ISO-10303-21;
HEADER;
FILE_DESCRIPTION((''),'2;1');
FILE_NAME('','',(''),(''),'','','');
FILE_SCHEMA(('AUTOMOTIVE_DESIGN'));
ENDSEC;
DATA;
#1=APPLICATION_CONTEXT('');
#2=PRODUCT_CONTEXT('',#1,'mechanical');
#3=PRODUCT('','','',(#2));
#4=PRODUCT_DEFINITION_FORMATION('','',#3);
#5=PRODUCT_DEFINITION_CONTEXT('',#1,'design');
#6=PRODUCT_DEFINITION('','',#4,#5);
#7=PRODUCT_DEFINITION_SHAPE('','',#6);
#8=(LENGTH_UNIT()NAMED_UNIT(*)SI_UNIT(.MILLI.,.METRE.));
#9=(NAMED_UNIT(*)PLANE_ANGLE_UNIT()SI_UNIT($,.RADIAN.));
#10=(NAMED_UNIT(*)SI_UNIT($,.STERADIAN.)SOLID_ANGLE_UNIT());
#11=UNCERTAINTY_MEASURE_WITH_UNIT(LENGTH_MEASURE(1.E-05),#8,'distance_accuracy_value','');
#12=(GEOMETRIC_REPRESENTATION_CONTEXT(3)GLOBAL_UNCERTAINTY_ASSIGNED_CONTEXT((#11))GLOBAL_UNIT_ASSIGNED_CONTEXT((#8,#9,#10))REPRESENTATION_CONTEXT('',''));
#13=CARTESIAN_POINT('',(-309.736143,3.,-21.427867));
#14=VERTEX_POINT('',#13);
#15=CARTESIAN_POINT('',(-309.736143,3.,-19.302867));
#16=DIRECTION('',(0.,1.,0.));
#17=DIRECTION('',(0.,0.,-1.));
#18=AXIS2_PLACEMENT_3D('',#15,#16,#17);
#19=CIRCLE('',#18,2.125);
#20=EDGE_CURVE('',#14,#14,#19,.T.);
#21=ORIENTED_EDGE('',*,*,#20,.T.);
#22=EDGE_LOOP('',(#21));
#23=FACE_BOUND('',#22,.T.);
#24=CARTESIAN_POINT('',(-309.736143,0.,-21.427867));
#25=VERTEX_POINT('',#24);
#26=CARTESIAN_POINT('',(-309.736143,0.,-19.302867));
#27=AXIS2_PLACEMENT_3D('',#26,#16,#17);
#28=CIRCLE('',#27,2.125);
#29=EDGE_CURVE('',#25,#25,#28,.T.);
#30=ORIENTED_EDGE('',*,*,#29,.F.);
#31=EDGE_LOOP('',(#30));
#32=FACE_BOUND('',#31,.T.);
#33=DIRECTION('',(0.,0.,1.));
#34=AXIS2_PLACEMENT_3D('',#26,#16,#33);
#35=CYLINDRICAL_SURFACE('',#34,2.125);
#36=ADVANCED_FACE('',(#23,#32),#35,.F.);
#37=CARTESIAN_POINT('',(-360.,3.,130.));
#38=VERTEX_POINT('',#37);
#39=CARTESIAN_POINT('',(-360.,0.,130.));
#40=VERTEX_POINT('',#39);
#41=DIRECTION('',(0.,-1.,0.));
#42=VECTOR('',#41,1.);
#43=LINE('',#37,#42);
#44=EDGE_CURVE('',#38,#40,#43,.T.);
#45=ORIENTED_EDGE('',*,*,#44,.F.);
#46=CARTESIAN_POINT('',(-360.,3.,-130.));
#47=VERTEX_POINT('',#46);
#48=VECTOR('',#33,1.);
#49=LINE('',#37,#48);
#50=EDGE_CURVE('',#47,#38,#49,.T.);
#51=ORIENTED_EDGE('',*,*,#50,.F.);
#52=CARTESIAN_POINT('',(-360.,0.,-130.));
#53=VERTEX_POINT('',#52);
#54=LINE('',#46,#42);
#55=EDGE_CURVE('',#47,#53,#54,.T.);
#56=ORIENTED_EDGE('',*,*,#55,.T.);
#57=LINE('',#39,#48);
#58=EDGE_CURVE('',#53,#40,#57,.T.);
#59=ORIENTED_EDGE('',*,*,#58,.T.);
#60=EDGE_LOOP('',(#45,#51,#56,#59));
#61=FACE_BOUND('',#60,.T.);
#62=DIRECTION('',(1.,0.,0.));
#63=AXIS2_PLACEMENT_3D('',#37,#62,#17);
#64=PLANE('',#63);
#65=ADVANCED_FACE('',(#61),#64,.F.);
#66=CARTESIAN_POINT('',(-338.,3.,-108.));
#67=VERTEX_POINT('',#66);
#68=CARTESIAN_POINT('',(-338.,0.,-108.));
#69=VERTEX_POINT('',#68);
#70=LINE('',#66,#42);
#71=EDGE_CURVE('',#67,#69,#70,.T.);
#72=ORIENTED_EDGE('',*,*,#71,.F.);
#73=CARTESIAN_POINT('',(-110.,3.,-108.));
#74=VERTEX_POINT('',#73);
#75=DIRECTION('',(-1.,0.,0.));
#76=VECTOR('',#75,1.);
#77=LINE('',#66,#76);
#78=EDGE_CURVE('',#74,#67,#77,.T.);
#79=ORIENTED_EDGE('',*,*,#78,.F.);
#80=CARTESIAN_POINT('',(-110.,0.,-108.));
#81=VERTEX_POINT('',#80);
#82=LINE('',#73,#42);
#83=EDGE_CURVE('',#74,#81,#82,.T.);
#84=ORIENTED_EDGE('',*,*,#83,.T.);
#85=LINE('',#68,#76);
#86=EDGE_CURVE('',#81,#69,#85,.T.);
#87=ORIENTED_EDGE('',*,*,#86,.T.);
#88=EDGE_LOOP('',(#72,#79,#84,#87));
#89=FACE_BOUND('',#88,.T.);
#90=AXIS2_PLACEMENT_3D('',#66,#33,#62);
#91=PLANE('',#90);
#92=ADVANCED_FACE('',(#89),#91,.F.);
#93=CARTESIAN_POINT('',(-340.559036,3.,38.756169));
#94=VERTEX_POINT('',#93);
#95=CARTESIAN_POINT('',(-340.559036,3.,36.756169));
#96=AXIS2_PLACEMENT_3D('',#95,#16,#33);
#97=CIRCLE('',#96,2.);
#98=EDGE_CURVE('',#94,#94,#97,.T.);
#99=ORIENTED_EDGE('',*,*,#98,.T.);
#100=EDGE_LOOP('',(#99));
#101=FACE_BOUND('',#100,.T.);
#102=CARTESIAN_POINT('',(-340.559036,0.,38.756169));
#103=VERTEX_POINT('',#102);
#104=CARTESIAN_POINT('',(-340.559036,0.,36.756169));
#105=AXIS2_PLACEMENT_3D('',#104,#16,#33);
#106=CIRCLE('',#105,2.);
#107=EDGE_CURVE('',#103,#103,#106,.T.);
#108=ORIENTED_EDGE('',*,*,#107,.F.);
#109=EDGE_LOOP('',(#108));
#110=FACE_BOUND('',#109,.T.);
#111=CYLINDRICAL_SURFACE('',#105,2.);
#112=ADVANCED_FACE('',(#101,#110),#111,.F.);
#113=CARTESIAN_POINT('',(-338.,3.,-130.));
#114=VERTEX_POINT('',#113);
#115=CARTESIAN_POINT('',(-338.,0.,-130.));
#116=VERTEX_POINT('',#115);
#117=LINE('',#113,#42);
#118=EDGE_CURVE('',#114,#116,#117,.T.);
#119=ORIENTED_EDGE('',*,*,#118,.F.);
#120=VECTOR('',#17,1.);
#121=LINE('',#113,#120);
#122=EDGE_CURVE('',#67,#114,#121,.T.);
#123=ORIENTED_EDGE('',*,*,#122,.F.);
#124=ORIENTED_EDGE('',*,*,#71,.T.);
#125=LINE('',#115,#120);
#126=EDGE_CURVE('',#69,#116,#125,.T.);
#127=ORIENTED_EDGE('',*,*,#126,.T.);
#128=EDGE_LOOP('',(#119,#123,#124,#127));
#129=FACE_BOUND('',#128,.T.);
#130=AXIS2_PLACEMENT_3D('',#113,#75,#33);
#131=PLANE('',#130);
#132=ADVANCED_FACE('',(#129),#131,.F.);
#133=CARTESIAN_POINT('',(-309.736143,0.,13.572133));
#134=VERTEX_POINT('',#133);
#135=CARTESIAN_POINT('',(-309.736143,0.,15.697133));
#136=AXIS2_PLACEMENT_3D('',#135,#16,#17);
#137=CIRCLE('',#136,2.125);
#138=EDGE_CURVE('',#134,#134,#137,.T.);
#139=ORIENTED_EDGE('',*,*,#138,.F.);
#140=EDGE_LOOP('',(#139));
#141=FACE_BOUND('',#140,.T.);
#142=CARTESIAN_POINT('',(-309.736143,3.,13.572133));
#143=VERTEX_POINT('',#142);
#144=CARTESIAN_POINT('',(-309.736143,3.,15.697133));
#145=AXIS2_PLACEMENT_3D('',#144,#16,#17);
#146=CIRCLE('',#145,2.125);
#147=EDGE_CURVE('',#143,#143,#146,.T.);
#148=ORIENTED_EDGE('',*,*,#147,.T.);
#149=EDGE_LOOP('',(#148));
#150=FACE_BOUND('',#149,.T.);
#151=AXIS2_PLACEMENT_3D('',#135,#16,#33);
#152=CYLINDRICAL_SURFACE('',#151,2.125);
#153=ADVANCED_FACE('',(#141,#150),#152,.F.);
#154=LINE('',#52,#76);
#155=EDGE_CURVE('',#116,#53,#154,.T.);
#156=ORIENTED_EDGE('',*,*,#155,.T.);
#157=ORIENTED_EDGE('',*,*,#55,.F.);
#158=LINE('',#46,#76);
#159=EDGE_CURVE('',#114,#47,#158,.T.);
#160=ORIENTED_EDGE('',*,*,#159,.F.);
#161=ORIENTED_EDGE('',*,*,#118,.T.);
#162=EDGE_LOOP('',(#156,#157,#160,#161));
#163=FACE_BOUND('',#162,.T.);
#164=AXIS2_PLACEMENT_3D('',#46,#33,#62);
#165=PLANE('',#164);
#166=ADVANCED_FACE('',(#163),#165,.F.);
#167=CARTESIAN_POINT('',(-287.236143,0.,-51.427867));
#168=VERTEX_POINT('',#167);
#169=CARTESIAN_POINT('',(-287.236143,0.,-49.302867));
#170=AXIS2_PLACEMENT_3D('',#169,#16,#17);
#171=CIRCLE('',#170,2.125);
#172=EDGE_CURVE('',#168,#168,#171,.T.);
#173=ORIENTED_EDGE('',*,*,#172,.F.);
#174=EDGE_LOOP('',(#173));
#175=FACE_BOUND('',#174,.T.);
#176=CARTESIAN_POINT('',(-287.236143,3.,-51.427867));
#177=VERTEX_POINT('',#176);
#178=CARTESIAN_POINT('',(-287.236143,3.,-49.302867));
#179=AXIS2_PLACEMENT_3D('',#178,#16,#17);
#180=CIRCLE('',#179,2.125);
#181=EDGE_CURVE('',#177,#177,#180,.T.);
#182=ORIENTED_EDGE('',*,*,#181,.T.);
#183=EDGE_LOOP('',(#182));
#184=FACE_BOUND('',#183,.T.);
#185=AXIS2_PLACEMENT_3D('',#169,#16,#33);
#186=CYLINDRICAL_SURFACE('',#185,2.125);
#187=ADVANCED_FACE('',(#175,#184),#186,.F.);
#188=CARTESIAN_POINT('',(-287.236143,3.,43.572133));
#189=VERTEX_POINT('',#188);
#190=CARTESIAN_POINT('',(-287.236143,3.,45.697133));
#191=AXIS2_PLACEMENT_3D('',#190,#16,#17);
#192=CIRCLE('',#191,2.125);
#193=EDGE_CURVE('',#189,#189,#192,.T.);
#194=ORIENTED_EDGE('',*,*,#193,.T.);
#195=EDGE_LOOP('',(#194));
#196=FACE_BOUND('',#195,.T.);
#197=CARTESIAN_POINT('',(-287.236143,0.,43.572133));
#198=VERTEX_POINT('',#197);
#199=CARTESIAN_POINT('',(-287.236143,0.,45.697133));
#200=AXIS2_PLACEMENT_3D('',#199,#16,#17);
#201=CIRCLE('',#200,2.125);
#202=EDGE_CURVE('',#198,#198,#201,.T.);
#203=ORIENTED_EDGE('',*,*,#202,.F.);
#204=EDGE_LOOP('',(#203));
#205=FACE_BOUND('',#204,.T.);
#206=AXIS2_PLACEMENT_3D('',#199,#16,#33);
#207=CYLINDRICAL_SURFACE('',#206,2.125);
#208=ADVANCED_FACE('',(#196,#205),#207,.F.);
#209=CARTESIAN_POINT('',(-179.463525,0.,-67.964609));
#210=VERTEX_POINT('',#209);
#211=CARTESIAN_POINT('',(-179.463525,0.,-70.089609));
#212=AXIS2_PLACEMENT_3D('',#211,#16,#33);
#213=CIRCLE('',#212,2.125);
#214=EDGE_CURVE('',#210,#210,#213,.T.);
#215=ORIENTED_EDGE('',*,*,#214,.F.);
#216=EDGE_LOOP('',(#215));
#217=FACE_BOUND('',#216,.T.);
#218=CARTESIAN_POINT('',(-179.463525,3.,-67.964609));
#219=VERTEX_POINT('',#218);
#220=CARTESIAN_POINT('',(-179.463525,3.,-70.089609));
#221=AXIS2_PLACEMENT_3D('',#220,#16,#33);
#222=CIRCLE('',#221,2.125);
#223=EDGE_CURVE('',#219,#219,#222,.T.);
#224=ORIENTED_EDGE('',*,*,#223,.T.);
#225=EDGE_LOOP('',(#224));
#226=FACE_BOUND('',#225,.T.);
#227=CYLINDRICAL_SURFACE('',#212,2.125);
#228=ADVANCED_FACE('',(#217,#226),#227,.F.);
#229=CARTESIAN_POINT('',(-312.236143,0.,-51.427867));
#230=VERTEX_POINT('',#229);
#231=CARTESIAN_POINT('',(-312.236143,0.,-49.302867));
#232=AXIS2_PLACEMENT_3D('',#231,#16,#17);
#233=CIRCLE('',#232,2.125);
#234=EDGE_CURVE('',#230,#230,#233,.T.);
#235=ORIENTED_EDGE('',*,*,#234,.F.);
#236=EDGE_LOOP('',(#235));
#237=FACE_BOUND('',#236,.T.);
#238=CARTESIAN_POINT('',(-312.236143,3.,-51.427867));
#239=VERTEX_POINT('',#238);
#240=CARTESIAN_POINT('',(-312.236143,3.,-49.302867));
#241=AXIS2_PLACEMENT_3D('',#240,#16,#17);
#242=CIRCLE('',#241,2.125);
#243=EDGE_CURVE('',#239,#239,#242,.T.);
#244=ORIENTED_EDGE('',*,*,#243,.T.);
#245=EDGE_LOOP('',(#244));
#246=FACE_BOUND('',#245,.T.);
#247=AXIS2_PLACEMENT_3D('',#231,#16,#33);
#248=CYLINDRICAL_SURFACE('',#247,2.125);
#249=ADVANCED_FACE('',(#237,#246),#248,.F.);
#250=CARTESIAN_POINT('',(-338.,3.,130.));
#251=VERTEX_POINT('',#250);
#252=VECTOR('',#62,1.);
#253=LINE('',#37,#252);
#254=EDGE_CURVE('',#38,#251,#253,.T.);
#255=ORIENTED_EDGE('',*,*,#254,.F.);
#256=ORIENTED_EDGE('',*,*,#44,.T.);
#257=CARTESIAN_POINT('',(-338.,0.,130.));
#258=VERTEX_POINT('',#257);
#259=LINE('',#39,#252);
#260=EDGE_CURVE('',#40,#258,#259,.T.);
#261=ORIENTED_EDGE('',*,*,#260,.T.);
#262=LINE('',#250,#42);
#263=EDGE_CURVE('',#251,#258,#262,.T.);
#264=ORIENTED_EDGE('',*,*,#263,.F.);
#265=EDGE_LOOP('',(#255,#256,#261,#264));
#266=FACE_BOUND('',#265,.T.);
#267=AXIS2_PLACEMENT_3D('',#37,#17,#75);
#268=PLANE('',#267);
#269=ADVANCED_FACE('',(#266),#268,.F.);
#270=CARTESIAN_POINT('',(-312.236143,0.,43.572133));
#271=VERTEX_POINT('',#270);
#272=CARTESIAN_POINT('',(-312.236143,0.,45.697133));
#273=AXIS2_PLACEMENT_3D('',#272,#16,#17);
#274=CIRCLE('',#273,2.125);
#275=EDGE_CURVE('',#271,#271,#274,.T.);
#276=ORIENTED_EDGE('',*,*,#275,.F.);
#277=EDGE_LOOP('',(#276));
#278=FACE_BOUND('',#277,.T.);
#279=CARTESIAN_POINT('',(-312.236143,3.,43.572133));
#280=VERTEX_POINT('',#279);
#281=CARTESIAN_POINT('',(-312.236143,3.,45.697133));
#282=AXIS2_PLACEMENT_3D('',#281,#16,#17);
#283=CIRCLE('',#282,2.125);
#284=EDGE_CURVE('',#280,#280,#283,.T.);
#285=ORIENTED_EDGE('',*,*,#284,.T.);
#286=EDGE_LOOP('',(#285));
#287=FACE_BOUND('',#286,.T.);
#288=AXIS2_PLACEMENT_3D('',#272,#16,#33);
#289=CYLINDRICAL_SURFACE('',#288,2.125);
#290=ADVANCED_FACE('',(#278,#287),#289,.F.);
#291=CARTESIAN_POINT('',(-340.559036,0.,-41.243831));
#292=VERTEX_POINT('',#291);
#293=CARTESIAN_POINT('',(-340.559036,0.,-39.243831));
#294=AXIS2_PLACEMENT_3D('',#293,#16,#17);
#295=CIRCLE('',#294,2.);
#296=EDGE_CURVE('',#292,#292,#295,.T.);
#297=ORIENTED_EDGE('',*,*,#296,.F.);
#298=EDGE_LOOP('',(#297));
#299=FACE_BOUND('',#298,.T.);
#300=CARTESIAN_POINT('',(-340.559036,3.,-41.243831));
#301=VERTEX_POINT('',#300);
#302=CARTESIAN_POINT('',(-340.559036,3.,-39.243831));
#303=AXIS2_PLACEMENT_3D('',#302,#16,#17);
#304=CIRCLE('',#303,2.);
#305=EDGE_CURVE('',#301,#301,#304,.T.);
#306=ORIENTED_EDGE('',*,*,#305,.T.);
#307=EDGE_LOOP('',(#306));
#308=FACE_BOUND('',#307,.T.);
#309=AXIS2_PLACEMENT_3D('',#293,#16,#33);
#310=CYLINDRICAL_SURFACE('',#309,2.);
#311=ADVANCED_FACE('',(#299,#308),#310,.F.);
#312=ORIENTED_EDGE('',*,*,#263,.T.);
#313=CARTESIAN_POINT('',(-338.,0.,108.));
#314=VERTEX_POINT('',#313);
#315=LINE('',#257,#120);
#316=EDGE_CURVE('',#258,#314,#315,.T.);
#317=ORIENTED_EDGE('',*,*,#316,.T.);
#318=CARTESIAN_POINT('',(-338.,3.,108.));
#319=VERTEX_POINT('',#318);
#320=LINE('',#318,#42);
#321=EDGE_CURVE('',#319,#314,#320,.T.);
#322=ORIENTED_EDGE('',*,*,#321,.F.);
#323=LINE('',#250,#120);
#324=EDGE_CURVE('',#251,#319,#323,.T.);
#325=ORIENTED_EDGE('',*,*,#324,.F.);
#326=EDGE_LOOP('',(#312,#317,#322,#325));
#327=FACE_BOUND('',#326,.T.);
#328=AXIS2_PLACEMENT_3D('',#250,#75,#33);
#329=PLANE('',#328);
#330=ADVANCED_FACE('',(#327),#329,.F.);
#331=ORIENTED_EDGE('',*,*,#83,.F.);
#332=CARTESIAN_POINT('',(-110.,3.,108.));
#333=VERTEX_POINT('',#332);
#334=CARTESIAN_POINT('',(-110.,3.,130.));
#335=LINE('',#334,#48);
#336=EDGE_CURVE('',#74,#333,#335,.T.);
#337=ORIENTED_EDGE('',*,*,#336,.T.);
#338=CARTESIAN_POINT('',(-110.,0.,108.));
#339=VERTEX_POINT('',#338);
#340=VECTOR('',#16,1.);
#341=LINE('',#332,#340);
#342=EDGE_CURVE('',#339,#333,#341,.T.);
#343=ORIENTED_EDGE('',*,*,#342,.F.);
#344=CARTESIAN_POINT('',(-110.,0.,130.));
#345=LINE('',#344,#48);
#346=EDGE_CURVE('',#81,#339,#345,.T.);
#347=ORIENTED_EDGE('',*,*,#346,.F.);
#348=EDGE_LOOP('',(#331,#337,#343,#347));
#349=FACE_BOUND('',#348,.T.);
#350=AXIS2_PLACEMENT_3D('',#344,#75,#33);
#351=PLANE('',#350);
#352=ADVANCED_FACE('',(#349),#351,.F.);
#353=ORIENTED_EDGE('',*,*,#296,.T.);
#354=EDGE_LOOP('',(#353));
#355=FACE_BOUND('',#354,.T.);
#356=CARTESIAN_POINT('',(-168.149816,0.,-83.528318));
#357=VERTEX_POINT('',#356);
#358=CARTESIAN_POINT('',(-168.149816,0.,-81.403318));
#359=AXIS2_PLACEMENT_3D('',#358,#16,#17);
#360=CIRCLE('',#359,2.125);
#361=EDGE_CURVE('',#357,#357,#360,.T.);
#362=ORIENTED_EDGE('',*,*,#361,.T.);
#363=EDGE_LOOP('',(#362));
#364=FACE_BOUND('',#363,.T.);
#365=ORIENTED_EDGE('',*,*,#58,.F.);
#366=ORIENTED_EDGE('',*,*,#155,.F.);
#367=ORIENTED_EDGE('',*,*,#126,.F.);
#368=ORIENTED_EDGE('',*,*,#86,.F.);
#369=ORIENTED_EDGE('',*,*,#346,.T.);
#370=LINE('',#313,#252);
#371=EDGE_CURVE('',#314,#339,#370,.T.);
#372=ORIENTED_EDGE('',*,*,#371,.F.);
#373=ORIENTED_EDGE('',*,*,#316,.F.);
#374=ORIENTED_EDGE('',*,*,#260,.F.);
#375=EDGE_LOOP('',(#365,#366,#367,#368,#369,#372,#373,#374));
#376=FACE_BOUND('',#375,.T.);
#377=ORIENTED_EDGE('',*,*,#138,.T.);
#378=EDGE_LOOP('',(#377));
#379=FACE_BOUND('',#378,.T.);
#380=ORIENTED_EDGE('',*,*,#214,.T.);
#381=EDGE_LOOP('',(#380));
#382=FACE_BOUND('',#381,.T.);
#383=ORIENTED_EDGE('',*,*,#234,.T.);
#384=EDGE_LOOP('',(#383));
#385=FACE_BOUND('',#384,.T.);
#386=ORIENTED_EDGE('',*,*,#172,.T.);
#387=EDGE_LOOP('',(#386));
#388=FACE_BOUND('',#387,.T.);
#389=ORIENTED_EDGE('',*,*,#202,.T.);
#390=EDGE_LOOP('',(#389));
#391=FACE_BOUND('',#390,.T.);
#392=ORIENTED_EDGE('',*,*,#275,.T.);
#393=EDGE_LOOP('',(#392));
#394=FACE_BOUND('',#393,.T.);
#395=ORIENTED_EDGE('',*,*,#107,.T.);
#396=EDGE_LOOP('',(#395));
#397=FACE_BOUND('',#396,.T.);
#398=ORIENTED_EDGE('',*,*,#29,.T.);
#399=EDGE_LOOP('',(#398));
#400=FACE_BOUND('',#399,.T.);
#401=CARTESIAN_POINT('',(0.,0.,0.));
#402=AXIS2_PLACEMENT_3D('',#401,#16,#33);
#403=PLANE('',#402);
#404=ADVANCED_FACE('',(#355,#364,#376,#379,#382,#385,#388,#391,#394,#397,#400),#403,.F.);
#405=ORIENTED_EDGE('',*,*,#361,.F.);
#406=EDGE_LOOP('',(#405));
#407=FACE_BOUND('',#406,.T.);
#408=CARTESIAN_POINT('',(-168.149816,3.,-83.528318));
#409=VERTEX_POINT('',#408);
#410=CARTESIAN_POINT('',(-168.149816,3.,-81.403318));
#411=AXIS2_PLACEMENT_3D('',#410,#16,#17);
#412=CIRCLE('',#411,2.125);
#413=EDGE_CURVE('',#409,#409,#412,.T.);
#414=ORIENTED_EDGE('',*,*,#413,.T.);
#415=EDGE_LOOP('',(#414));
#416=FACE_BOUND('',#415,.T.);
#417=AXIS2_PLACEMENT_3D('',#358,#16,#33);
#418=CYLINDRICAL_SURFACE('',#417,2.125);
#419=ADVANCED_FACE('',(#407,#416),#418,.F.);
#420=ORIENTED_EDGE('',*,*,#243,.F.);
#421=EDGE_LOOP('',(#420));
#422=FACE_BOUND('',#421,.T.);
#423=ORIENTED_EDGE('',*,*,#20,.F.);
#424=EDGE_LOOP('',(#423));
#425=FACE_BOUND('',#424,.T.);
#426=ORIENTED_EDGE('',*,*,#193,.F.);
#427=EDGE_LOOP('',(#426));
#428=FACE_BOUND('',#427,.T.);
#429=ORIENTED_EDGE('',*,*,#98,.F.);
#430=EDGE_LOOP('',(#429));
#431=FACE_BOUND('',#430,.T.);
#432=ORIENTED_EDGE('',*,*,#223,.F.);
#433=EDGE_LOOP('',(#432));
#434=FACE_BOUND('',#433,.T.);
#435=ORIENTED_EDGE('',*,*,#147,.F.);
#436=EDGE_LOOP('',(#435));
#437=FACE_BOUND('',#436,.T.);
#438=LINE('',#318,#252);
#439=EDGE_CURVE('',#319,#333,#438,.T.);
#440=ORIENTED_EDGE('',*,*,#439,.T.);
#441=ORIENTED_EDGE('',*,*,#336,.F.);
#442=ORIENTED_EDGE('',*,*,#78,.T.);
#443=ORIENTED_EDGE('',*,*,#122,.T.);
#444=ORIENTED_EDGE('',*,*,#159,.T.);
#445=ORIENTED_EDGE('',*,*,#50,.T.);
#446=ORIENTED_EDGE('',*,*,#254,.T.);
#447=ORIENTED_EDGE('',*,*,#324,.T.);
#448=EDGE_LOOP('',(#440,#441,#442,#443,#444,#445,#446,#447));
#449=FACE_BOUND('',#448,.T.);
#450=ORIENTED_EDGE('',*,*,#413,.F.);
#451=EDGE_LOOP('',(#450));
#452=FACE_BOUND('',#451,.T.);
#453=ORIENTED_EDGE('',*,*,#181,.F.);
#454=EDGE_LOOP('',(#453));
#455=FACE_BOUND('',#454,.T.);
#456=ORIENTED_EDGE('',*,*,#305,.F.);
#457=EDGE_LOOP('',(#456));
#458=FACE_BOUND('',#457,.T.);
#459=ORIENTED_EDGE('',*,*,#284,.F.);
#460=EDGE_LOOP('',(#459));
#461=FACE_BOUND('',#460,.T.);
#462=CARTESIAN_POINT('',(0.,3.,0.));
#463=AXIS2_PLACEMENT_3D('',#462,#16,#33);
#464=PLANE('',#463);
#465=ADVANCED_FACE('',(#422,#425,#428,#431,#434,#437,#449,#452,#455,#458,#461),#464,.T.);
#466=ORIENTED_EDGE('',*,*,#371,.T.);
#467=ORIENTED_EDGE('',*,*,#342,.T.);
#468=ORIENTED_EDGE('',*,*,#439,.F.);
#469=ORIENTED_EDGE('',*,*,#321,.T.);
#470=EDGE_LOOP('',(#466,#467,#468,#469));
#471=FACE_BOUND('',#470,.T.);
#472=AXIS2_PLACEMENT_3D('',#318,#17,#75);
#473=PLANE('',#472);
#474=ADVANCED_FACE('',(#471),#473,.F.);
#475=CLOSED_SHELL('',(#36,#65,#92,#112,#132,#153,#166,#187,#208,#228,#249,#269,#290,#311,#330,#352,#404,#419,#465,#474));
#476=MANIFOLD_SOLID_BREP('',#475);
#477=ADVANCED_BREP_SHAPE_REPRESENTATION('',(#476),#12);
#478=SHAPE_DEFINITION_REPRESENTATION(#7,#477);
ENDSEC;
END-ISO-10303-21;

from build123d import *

# Parameters (mm, degrees)
BOSS_EXTRUDE1_DEPTH = 3
SKETCH2_R           = 2.125
CUT_EXTRUDE1_DEPTH  = 3
SKETCH3_R           = 2
CUT_EXTRUDE2_DEPTH  = 3
SKETCH4_R           = 2.125
CUT_EXTRUDE3_DEPTH  = 3
SKETCH5_W           = 470
SKETCH5_H           = 260
CUT_EXTRUDE4_DEPTH  = 3


with BuildPart() as part:
    # Sketch1 → Boss-Extrude1 (new body)
    with BuildSketch(Plane(origin=(0, 0, 0), x_dir=(1, 0, 0), z_dir=(0, 1, 0))):
        Polygon((-360, -130), (-360, 130), (-338, 130), (-338, 108), (338, 108), (338, 130), (360, 130), (360, -130), (338, -130), (338, -108), (-338, -108), (-338, -130), align=None)
    extrude(amount=BOSS_EXTRUDE1_DEPTH)

    # Sketch2 → Cut-Extrude1 (cut)
    with BuildSketch(Plane(origin=(0, 3, 0), x_dir=(1, 0, 0), z_dir=(0, 1, 0))):
        with Locations(Location((307.763857235, 49.302866975, 0), (0, 0, 270))):
            Circle(SKETCH2_R)
        with Locations(Location((282.763857235, 49.302866975, 0), (0, 0, 270))):
            Circle(SKETCH2_R)
        with Locations(Location((305.263857235, 19.302866975, 0), (0, 0, 270))):
            Circle(SKETCH2_R)
        with Locations(Location((305.263857235, -15.697133025, 0), (0, 0, 270))):
            Circle(SKETCH2_R)
        with Locations(Location((307.763857235, -45.697133025, 0), (0, 0, 270))):
            Circle(SKETCH2_R)
        with Locations(Location((282.763857235, -45.697133025, 0), (0, 0, 270))):
            Circle(SKETCH2_R)
        with Locations(Location((-287.236142765, -45.697133025, 0), (0, 0, 90))):
            Circle(SKETCH2_R)
        with Locations(Location((-312.236142765, -45.697133025, 0), (0, 0, 90))):
            Circle(SKETCH2_R)
        with Locations(Location((-309.736142765, -15.697133025, 0), (0, 0, 90))):
            Circle(SKETCH2_R)
        with Locations(Location((-309.736142765, 19.302866975, 0), (0, 0, 90))):
            Circle(SKETCH2_R)
        with Locations(Location((-287.236142765, 49.302866975, 0), (0, 0, 90))):
            Circle(SKETCH2_R)
        with Locations(Location((-312.236142765, 49.302866975, 0), (0, 0, 90))):
            Circle(SKETCH2_R)
    extrude(amount=-CUT_EXTRUDE1_DEPTH, mode=Mode.SUBTRACT)

    # Sketch3 → Cut-Extrude2 (cut)
    with BuildSketch(Plane(origin=(0, 3, 0), x_dir=(1, 0, 0), z_dir=(0, 1, 0))):
        with Locations(Location((339.440964309, 39.243831284, 0), (0, 0, 270))):
            Circle(SKETCH3_R)
        with Locations(Location((339.440964309, -36.756168716, 0), (0, 0, 90))):
            Circle(SKETCH3_R)
        with Locations(Location((-340.559035691, -36.756168716, 0), (0, 0, 270))):
            Circle(SKETCH3_R)
        with Locations(Location((-340.559035691, 39.243831284, 0), (0, 0, 90))):
            Circle(SKETCH3_R)
    extrude(amount=-CUT_EXTRUDE2_DEPTH, mode=Mode.SUBTRACT)

    # Sketch4 → Cut-Extrude3 (cut)
    with BuildSketch(Plane(origin=(0, 3, 0), x_dir=(1, 0, 0), z_dir=(0, 1, 0))):
        with Locations((66.609635331, -175.983550473)):
            Circle(SKETCH4_R)
        with Locations(Location((-179.463524521, 70.08960938, 0), (0, 0, 270))):
            Circle(SKETCH4_R)
        with Locations(Location((-15.414751286, -93.959163855, 0), (0, 0, 270))):
            Circle(SKETCH4_R)
        with Locations(Location((-97.439137904, -11.934777238, 0), (0, 0, 270))):
            Circle(SKETCH4_R)
        with Locations((77.92334383, -164.669841974)):
            Circle(SKETCH4_R)
        with Locations(Location((-4.101042787, -82.645455356, 0), (0, 0, 90))):
            Circle(SKETCH4_R)
        with Locations(Location((-86.125429405, -0.621068739, 0), (0, 0, 90))):
            Circle(SKETCH4_R)
        with Locations(Location((-168.149816022, 81.403317879, 0), (0, 0, 90))):
            Circle(SKETCH4_R)
        with Locations((-49.355876783, 200.197257118)):
            Circle(SKETCH4_R)
        with Locations((32.668509835, 118.172870501)):
            Circle(SKETCH4_R)
        with Locations(Location((114.692896452, 36.148483883, 0), (0, 0, 270))):
            Circle(SKETCH4_R)
        with Locations(Location((196.71728307, -45.875902734, 0), (0, 0, 270))):
            Circle(SKETCH4_R)
        with Locations((43.982218334, 129.486579)):
            Circle(SKETCH4_R)
        with Locations(Location((126.006604951, 47.462192382, 0), (0, 0, 90))):
            Circle(SKETCH4_R)
        with Locations((-38.042168284, 211.510965617)):
            Circle(SKETCH4_R)
        with Locations(Location((208.030991569, -34.562194235, 0), (0, 0, 90))):
            Circle(SKETCH4_R)
    extrude(amount=-CUT_EXTRUDE3_DEPTH, mode=Mode.SUBTRACT)

    # Sketch5 → Cut-Extrude4 (cut)
    with BuildSketch(Plane(origin=(0, 3, 0), x_dir=(1, 0, 0), z_dir=(0, 1, 0))):
        with Locations((125, 0)):
            Rectangle(SKETCH5_W, SKETCH5_H)
    extrude(amount=-CUT_EXTRUDE4_DEPTH, mode=Mode.SUBTRACT)


solid = part.part
